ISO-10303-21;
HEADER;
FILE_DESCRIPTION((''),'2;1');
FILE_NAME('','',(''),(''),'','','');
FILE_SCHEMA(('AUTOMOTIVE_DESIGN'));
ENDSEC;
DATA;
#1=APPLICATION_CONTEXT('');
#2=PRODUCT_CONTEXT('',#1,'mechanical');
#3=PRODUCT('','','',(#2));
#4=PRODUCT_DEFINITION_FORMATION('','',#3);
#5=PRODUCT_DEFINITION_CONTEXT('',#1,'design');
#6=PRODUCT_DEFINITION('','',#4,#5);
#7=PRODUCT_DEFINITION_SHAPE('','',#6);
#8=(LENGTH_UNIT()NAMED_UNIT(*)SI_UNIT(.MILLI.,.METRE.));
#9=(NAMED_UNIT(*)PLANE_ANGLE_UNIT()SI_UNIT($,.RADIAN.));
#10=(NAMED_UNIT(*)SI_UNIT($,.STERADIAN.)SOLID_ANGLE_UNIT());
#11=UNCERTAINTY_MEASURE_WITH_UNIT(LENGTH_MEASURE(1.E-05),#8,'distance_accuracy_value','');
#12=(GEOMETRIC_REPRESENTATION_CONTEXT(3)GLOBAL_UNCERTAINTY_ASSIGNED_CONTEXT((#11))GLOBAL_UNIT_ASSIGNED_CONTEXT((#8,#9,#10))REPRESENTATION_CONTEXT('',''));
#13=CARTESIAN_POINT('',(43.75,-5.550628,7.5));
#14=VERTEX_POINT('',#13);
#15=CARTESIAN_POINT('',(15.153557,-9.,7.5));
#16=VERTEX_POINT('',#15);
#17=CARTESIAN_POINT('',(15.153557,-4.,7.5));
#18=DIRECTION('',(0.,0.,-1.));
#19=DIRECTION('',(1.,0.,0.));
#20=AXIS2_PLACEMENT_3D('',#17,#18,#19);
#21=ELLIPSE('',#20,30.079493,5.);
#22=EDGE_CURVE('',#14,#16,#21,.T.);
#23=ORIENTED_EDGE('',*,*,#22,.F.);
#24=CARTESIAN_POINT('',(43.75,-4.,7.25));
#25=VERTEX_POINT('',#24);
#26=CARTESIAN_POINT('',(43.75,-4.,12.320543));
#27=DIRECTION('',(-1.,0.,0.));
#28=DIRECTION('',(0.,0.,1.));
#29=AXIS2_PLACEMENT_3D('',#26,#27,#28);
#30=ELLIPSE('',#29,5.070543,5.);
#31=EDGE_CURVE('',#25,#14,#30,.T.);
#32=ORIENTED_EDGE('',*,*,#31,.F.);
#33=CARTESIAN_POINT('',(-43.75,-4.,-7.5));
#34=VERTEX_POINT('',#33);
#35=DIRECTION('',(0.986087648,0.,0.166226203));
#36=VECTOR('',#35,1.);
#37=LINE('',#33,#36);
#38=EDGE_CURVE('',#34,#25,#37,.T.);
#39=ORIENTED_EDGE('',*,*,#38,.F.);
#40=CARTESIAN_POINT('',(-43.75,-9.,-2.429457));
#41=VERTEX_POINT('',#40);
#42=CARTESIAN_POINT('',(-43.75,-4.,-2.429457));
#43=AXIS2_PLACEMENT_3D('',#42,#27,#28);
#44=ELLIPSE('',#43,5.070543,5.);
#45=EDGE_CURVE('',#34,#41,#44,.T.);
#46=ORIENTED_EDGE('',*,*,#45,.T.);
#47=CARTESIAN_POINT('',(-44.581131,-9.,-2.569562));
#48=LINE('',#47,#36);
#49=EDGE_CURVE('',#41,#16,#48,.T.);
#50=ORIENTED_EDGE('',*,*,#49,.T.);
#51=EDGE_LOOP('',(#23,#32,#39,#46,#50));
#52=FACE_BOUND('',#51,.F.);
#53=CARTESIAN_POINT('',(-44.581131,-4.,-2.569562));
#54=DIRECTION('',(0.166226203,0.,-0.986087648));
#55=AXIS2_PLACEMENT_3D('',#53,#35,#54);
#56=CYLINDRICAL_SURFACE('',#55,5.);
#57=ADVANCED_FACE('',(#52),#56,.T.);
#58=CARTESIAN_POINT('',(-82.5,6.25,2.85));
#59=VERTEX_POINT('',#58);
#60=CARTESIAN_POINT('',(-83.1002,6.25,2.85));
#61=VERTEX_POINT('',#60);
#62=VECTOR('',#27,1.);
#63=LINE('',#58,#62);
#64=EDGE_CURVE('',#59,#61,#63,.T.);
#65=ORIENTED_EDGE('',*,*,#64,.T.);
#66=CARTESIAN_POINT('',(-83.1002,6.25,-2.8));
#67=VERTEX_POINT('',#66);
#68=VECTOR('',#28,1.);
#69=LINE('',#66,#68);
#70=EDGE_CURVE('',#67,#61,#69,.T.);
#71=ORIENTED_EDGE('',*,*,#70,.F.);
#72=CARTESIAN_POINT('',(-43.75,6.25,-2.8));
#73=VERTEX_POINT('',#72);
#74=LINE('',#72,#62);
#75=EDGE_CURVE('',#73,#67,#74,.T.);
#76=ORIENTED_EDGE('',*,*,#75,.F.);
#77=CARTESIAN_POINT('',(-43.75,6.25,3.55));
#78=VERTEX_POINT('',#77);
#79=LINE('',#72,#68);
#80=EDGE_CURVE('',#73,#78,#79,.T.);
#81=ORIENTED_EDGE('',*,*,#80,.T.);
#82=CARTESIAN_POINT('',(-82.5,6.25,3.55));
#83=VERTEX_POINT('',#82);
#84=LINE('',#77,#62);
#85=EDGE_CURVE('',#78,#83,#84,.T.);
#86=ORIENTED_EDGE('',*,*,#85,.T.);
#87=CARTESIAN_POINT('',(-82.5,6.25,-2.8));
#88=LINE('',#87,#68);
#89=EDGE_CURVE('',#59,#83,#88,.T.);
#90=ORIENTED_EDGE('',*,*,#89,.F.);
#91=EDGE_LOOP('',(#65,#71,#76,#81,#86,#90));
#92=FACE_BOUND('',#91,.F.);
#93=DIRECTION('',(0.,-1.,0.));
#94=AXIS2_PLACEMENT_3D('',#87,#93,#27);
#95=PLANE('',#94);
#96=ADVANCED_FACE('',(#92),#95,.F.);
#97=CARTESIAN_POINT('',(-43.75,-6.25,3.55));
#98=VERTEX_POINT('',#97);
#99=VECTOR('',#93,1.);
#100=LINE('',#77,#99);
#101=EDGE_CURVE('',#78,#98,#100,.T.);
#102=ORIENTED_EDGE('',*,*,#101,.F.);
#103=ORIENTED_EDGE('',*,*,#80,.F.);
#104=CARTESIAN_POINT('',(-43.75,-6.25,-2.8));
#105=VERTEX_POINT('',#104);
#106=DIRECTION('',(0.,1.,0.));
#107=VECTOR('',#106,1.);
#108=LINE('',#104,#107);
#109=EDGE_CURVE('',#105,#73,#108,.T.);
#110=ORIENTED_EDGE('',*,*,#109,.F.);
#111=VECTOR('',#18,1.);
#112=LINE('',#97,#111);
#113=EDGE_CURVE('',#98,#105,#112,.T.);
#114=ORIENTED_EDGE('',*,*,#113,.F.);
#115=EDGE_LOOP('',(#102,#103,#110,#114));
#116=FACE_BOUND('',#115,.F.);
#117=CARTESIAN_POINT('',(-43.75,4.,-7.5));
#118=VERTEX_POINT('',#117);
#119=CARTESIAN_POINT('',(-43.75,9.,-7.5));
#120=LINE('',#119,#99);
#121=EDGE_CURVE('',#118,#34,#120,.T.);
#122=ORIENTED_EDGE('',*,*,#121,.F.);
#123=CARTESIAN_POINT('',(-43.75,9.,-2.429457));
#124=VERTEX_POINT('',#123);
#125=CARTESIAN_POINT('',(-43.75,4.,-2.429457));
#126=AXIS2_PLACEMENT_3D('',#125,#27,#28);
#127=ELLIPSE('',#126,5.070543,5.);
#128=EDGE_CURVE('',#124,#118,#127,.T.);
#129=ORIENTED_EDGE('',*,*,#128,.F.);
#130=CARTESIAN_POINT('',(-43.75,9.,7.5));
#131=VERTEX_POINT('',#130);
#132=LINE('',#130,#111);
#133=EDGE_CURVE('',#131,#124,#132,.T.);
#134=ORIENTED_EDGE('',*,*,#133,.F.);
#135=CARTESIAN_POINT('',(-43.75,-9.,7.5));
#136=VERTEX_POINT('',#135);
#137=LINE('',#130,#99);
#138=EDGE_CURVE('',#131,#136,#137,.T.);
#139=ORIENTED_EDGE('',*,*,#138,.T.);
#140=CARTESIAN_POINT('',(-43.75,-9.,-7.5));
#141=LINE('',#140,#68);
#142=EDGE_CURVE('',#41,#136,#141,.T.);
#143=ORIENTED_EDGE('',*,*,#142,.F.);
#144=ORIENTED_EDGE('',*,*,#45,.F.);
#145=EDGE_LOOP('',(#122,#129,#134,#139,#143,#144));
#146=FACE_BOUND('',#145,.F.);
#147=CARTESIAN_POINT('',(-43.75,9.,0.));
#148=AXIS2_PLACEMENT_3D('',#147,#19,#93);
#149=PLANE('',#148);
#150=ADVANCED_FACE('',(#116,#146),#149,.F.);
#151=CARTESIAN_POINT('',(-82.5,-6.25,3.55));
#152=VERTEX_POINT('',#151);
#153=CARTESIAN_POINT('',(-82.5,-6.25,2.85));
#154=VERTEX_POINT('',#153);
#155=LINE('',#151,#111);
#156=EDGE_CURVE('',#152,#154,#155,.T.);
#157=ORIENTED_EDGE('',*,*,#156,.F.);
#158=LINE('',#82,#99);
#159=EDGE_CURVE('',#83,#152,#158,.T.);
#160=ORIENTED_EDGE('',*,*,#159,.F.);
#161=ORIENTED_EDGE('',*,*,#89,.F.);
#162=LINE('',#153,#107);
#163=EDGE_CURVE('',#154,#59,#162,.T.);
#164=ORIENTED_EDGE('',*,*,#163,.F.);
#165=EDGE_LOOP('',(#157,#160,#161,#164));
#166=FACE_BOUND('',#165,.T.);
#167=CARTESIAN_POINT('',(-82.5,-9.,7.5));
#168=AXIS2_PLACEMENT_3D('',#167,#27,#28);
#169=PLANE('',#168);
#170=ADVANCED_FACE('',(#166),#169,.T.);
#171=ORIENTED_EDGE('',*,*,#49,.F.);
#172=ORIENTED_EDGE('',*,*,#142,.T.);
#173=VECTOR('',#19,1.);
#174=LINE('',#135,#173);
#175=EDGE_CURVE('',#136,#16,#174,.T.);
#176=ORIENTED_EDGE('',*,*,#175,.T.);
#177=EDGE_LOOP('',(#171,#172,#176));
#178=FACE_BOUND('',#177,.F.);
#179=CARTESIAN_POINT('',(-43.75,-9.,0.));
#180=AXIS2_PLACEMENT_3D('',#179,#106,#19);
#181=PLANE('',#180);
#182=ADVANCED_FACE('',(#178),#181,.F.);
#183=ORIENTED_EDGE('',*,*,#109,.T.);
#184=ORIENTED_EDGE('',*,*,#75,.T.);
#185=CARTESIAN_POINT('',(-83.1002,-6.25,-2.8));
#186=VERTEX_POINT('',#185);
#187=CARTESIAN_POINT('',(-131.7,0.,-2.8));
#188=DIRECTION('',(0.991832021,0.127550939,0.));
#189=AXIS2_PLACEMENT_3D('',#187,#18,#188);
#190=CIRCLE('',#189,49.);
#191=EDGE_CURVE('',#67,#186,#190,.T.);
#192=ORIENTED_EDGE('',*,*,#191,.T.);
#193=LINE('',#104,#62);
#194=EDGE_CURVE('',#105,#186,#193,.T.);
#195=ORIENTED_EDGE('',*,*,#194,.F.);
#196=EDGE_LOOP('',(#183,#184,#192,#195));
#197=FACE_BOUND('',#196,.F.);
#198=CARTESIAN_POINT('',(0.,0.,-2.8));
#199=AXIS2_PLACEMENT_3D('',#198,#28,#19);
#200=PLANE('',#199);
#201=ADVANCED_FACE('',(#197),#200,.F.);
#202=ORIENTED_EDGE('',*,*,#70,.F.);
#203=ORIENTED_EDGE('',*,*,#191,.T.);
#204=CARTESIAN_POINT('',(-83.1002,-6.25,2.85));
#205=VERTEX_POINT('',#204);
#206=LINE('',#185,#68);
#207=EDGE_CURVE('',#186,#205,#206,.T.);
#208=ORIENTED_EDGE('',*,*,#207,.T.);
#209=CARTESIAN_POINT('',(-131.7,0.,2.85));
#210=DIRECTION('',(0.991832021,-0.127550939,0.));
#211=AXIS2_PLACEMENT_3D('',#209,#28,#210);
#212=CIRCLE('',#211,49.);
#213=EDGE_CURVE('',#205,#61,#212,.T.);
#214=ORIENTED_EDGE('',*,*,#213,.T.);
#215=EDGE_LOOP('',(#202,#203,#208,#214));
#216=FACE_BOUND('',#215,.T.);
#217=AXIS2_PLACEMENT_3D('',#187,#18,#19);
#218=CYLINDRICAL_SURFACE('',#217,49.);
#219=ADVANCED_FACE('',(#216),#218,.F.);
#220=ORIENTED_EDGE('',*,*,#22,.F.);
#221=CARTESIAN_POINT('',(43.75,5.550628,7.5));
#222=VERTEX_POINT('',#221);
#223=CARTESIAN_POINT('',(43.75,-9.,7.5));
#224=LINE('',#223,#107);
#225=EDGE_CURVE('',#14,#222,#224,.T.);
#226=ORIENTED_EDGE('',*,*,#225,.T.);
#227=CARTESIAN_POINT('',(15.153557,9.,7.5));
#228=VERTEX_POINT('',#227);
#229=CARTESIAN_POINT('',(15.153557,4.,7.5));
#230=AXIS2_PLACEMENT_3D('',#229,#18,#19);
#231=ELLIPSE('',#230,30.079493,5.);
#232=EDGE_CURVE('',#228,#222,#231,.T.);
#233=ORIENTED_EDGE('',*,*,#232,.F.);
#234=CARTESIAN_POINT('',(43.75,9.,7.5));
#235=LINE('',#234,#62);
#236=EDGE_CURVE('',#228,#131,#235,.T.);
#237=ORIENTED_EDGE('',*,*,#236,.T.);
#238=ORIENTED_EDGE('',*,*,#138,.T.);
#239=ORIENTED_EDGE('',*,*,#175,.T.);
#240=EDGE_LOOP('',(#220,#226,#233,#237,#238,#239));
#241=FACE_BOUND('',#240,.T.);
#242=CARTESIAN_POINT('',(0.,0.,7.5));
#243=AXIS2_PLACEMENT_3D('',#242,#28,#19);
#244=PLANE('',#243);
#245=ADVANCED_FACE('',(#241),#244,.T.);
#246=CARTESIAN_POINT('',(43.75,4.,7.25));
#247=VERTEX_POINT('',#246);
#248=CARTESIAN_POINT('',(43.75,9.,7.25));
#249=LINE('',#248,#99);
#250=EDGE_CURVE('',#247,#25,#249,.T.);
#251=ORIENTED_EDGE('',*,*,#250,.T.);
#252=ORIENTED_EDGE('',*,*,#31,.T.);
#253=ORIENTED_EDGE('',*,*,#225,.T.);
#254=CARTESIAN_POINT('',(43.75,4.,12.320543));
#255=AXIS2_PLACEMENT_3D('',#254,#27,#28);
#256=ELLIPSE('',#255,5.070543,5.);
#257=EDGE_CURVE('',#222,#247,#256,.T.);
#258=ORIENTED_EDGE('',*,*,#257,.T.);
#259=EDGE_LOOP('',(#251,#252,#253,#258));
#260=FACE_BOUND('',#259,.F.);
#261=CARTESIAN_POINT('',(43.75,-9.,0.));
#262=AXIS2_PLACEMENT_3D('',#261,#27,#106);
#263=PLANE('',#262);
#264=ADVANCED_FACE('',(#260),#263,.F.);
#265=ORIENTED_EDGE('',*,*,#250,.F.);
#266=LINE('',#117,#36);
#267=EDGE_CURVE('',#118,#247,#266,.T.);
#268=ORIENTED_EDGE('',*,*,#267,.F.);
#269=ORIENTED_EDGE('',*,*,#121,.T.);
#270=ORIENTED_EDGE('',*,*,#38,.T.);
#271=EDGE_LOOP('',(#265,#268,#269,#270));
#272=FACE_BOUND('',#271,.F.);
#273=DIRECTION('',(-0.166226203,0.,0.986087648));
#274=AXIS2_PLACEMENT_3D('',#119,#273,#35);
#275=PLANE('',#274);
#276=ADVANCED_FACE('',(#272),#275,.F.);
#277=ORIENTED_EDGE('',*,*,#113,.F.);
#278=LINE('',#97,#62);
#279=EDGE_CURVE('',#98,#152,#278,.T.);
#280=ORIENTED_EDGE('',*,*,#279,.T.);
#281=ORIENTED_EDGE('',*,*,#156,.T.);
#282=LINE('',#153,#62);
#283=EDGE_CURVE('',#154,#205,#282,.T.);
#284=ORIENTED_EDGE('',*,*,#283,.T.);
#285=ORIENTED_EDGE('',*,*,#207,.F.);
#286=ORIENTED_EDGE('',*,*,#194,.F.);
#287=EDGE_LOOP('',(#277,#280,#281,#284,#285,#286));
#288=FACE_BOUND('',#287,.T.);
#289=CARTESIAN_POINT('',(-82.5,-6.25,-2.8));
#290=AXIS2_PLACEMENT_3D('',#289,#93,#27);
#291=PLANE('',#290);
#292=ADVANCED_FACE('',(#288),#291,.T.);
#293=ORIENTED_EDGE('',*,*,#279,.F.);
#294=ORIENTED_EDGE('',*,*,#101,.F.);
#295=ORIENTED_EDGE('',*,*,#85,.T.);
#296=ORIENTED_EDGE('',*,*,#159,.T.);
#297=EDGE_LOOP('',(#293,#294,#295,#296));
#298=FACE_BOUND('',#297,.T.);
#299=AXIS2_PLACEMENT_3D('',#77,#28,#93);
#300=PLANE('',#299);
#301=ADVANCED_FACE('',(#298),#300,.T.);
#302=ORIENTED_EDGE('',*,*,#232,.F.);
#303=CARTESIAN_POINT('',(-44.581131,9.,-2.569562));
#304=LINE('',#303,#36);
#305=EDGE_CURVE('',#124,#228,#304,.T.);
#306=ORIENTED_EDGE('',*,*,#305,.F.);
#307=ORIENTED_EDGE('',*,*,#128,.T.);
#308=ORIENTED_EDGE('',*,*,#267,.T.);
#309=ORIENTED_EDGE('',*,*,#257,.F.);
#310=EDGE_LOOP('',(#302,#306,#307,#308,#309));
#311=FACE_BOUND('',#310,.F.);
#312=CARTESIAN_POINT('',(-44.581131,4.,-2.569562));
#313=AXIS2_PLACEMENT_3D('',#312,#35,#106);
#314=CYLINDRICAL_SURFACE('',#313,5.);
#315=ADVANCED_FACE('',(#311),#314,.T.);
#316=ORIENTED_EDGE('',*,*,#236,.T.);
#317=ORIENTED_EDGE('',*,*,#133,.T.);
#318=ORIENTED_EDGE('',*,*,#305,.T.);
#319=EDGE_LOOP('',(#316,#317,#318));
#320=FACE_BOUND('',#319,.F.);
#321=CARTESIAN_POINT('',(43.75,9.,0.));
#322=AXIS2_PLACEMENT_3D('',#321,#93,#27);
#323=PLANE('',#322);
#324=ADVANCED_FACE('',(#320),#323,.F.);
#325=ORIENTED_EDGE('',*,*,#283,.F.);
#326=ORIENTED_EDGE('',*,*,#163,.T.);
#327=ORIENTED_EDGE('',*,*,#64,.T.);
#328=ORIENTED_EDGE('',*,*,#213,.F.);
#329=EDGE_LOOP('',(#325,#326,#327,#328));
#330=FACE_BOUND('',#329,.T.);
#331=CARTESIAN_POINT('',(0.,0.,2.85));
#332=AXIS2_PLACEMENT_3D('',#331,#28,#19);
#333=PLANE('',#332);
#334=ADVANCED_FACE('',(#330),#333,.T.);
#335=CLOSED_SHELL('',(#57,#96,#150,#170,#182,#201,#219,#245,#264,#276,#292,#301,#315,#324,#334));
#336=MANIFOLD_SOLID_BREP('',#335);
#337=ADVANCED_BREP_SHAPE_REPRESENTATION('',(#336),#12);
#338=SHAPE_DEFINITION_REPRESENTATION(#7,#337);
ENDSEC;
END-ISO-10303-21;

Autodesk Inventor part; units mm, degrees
sketch "Sketch1" plane through (0, 0, 0) normal (0, 0, 1) x (1, 0, 0)
  line L0 (-43.75, -9) -> (43.75, -9)
  line L1 (43.75, -9) -> (43.75, 9)
  line L2 (43.75, 9) -> (-43.75, 9)
  line L3 (-43.75, 9) -> (-43.75, -9)
  line L4 (-43.75, -9) -> (43.75, 9) construction
  line L5 (43.75, -9) -> (-43.75, 9) construction
  point P0 (0, 0)
  dimension "d0" = 87.5
  dimension "d1" = 18
extrude "Extrusion1" add sketch "Sketch1" along normal mid plane 15
sketch "Sketch3" plane through (-43.75, 9, 7.5) normal (0, 1, 0) x (1, 0, 0)
  line L0 (0, 15) -> (87.5, 0.25)
  line L1 (87.5, 15) -> (87.5, 0) construction
  line L2 (87.5, 0.25) -> (87.5, 15)
  line L3 (87.5, 15) -> (0, 15)
  point P0 (43.75, 7.5)
  point P1 (87.5, 7.625)
  dimension "d5" = 0.25
extrude "Extrusion2" cut sketch "Sketch3" along normal through all both and the other way through all
sketch "Sketch5" plane through (-43.75, -9, 7.5) normal (-1, 0, 0) x (0, 0, 1)
  line L0 (-3.95, 2.75) -> (-10.3, 2.75)
  line L1 (-10.3, 2.75) -> (-10.3, 15.25)
  line L2 (-10.3, 15.25) -> (-3.95, 15.25)
  line L3 (-3.95, 15.25) -> (-3.95, 2.75)
  line L4 (-3.95, 2.75) -> (-10.3, 15.25) construction
  line L5 (-10.3, 2.75) -> (-3.95, 15.25) construction
  line L6 (0, 18) -> (0, 0) construction
  line L7 (-15, 0) -> (-15, 18) construction
  point P0 (-7.5, 9)
  point P1 (-7.125, 9)
  dimension "d14" = 12.5
  dimension "d28" = 3.95
  dimension "d29" = 4.7
extrude "Extrusion4" add sketch "Sketch5" along normal blind 38.75
sketch "Sketch7" plane through (0, 0, -2.8) normal (0, 0, 1) x (1, 0, 0)
  line L0 (-82.5, 6.25) -> (-82.5, -6.25) construction
  circle A0 centre (-131.7, 0) radius 49
  line L1 (43.75, -9) -> (43.75, 9) projected
  line L2 (-82.5, -6.25) -> (-83.1002, -6.25)
  line L3 (-82.5, 6.25) -> (-83.1002, 6.25)
  line L4 (-82.5, -6.25) -> (-82.5, 6.25)
  point P0 (0, 0)
  point P1 (43.75, 0)
  point P2 (-82.5, 0)
  dimension "d23" = 98
  dimension "d24" = 175.45
extrude "Extrusion5" add sketch "Sketch7" along normal blind 5.65 contours A0 L3 L4 L2
fillet "Fillet2" radius 5 2 edges at (0, 9, -0.125) (0, -9, -0.125)
equation "\"d25\" = d15"
equation "\"d15\" = 5.65"
properties part number "BracoRobotico_0003_002" material "Rubber"
